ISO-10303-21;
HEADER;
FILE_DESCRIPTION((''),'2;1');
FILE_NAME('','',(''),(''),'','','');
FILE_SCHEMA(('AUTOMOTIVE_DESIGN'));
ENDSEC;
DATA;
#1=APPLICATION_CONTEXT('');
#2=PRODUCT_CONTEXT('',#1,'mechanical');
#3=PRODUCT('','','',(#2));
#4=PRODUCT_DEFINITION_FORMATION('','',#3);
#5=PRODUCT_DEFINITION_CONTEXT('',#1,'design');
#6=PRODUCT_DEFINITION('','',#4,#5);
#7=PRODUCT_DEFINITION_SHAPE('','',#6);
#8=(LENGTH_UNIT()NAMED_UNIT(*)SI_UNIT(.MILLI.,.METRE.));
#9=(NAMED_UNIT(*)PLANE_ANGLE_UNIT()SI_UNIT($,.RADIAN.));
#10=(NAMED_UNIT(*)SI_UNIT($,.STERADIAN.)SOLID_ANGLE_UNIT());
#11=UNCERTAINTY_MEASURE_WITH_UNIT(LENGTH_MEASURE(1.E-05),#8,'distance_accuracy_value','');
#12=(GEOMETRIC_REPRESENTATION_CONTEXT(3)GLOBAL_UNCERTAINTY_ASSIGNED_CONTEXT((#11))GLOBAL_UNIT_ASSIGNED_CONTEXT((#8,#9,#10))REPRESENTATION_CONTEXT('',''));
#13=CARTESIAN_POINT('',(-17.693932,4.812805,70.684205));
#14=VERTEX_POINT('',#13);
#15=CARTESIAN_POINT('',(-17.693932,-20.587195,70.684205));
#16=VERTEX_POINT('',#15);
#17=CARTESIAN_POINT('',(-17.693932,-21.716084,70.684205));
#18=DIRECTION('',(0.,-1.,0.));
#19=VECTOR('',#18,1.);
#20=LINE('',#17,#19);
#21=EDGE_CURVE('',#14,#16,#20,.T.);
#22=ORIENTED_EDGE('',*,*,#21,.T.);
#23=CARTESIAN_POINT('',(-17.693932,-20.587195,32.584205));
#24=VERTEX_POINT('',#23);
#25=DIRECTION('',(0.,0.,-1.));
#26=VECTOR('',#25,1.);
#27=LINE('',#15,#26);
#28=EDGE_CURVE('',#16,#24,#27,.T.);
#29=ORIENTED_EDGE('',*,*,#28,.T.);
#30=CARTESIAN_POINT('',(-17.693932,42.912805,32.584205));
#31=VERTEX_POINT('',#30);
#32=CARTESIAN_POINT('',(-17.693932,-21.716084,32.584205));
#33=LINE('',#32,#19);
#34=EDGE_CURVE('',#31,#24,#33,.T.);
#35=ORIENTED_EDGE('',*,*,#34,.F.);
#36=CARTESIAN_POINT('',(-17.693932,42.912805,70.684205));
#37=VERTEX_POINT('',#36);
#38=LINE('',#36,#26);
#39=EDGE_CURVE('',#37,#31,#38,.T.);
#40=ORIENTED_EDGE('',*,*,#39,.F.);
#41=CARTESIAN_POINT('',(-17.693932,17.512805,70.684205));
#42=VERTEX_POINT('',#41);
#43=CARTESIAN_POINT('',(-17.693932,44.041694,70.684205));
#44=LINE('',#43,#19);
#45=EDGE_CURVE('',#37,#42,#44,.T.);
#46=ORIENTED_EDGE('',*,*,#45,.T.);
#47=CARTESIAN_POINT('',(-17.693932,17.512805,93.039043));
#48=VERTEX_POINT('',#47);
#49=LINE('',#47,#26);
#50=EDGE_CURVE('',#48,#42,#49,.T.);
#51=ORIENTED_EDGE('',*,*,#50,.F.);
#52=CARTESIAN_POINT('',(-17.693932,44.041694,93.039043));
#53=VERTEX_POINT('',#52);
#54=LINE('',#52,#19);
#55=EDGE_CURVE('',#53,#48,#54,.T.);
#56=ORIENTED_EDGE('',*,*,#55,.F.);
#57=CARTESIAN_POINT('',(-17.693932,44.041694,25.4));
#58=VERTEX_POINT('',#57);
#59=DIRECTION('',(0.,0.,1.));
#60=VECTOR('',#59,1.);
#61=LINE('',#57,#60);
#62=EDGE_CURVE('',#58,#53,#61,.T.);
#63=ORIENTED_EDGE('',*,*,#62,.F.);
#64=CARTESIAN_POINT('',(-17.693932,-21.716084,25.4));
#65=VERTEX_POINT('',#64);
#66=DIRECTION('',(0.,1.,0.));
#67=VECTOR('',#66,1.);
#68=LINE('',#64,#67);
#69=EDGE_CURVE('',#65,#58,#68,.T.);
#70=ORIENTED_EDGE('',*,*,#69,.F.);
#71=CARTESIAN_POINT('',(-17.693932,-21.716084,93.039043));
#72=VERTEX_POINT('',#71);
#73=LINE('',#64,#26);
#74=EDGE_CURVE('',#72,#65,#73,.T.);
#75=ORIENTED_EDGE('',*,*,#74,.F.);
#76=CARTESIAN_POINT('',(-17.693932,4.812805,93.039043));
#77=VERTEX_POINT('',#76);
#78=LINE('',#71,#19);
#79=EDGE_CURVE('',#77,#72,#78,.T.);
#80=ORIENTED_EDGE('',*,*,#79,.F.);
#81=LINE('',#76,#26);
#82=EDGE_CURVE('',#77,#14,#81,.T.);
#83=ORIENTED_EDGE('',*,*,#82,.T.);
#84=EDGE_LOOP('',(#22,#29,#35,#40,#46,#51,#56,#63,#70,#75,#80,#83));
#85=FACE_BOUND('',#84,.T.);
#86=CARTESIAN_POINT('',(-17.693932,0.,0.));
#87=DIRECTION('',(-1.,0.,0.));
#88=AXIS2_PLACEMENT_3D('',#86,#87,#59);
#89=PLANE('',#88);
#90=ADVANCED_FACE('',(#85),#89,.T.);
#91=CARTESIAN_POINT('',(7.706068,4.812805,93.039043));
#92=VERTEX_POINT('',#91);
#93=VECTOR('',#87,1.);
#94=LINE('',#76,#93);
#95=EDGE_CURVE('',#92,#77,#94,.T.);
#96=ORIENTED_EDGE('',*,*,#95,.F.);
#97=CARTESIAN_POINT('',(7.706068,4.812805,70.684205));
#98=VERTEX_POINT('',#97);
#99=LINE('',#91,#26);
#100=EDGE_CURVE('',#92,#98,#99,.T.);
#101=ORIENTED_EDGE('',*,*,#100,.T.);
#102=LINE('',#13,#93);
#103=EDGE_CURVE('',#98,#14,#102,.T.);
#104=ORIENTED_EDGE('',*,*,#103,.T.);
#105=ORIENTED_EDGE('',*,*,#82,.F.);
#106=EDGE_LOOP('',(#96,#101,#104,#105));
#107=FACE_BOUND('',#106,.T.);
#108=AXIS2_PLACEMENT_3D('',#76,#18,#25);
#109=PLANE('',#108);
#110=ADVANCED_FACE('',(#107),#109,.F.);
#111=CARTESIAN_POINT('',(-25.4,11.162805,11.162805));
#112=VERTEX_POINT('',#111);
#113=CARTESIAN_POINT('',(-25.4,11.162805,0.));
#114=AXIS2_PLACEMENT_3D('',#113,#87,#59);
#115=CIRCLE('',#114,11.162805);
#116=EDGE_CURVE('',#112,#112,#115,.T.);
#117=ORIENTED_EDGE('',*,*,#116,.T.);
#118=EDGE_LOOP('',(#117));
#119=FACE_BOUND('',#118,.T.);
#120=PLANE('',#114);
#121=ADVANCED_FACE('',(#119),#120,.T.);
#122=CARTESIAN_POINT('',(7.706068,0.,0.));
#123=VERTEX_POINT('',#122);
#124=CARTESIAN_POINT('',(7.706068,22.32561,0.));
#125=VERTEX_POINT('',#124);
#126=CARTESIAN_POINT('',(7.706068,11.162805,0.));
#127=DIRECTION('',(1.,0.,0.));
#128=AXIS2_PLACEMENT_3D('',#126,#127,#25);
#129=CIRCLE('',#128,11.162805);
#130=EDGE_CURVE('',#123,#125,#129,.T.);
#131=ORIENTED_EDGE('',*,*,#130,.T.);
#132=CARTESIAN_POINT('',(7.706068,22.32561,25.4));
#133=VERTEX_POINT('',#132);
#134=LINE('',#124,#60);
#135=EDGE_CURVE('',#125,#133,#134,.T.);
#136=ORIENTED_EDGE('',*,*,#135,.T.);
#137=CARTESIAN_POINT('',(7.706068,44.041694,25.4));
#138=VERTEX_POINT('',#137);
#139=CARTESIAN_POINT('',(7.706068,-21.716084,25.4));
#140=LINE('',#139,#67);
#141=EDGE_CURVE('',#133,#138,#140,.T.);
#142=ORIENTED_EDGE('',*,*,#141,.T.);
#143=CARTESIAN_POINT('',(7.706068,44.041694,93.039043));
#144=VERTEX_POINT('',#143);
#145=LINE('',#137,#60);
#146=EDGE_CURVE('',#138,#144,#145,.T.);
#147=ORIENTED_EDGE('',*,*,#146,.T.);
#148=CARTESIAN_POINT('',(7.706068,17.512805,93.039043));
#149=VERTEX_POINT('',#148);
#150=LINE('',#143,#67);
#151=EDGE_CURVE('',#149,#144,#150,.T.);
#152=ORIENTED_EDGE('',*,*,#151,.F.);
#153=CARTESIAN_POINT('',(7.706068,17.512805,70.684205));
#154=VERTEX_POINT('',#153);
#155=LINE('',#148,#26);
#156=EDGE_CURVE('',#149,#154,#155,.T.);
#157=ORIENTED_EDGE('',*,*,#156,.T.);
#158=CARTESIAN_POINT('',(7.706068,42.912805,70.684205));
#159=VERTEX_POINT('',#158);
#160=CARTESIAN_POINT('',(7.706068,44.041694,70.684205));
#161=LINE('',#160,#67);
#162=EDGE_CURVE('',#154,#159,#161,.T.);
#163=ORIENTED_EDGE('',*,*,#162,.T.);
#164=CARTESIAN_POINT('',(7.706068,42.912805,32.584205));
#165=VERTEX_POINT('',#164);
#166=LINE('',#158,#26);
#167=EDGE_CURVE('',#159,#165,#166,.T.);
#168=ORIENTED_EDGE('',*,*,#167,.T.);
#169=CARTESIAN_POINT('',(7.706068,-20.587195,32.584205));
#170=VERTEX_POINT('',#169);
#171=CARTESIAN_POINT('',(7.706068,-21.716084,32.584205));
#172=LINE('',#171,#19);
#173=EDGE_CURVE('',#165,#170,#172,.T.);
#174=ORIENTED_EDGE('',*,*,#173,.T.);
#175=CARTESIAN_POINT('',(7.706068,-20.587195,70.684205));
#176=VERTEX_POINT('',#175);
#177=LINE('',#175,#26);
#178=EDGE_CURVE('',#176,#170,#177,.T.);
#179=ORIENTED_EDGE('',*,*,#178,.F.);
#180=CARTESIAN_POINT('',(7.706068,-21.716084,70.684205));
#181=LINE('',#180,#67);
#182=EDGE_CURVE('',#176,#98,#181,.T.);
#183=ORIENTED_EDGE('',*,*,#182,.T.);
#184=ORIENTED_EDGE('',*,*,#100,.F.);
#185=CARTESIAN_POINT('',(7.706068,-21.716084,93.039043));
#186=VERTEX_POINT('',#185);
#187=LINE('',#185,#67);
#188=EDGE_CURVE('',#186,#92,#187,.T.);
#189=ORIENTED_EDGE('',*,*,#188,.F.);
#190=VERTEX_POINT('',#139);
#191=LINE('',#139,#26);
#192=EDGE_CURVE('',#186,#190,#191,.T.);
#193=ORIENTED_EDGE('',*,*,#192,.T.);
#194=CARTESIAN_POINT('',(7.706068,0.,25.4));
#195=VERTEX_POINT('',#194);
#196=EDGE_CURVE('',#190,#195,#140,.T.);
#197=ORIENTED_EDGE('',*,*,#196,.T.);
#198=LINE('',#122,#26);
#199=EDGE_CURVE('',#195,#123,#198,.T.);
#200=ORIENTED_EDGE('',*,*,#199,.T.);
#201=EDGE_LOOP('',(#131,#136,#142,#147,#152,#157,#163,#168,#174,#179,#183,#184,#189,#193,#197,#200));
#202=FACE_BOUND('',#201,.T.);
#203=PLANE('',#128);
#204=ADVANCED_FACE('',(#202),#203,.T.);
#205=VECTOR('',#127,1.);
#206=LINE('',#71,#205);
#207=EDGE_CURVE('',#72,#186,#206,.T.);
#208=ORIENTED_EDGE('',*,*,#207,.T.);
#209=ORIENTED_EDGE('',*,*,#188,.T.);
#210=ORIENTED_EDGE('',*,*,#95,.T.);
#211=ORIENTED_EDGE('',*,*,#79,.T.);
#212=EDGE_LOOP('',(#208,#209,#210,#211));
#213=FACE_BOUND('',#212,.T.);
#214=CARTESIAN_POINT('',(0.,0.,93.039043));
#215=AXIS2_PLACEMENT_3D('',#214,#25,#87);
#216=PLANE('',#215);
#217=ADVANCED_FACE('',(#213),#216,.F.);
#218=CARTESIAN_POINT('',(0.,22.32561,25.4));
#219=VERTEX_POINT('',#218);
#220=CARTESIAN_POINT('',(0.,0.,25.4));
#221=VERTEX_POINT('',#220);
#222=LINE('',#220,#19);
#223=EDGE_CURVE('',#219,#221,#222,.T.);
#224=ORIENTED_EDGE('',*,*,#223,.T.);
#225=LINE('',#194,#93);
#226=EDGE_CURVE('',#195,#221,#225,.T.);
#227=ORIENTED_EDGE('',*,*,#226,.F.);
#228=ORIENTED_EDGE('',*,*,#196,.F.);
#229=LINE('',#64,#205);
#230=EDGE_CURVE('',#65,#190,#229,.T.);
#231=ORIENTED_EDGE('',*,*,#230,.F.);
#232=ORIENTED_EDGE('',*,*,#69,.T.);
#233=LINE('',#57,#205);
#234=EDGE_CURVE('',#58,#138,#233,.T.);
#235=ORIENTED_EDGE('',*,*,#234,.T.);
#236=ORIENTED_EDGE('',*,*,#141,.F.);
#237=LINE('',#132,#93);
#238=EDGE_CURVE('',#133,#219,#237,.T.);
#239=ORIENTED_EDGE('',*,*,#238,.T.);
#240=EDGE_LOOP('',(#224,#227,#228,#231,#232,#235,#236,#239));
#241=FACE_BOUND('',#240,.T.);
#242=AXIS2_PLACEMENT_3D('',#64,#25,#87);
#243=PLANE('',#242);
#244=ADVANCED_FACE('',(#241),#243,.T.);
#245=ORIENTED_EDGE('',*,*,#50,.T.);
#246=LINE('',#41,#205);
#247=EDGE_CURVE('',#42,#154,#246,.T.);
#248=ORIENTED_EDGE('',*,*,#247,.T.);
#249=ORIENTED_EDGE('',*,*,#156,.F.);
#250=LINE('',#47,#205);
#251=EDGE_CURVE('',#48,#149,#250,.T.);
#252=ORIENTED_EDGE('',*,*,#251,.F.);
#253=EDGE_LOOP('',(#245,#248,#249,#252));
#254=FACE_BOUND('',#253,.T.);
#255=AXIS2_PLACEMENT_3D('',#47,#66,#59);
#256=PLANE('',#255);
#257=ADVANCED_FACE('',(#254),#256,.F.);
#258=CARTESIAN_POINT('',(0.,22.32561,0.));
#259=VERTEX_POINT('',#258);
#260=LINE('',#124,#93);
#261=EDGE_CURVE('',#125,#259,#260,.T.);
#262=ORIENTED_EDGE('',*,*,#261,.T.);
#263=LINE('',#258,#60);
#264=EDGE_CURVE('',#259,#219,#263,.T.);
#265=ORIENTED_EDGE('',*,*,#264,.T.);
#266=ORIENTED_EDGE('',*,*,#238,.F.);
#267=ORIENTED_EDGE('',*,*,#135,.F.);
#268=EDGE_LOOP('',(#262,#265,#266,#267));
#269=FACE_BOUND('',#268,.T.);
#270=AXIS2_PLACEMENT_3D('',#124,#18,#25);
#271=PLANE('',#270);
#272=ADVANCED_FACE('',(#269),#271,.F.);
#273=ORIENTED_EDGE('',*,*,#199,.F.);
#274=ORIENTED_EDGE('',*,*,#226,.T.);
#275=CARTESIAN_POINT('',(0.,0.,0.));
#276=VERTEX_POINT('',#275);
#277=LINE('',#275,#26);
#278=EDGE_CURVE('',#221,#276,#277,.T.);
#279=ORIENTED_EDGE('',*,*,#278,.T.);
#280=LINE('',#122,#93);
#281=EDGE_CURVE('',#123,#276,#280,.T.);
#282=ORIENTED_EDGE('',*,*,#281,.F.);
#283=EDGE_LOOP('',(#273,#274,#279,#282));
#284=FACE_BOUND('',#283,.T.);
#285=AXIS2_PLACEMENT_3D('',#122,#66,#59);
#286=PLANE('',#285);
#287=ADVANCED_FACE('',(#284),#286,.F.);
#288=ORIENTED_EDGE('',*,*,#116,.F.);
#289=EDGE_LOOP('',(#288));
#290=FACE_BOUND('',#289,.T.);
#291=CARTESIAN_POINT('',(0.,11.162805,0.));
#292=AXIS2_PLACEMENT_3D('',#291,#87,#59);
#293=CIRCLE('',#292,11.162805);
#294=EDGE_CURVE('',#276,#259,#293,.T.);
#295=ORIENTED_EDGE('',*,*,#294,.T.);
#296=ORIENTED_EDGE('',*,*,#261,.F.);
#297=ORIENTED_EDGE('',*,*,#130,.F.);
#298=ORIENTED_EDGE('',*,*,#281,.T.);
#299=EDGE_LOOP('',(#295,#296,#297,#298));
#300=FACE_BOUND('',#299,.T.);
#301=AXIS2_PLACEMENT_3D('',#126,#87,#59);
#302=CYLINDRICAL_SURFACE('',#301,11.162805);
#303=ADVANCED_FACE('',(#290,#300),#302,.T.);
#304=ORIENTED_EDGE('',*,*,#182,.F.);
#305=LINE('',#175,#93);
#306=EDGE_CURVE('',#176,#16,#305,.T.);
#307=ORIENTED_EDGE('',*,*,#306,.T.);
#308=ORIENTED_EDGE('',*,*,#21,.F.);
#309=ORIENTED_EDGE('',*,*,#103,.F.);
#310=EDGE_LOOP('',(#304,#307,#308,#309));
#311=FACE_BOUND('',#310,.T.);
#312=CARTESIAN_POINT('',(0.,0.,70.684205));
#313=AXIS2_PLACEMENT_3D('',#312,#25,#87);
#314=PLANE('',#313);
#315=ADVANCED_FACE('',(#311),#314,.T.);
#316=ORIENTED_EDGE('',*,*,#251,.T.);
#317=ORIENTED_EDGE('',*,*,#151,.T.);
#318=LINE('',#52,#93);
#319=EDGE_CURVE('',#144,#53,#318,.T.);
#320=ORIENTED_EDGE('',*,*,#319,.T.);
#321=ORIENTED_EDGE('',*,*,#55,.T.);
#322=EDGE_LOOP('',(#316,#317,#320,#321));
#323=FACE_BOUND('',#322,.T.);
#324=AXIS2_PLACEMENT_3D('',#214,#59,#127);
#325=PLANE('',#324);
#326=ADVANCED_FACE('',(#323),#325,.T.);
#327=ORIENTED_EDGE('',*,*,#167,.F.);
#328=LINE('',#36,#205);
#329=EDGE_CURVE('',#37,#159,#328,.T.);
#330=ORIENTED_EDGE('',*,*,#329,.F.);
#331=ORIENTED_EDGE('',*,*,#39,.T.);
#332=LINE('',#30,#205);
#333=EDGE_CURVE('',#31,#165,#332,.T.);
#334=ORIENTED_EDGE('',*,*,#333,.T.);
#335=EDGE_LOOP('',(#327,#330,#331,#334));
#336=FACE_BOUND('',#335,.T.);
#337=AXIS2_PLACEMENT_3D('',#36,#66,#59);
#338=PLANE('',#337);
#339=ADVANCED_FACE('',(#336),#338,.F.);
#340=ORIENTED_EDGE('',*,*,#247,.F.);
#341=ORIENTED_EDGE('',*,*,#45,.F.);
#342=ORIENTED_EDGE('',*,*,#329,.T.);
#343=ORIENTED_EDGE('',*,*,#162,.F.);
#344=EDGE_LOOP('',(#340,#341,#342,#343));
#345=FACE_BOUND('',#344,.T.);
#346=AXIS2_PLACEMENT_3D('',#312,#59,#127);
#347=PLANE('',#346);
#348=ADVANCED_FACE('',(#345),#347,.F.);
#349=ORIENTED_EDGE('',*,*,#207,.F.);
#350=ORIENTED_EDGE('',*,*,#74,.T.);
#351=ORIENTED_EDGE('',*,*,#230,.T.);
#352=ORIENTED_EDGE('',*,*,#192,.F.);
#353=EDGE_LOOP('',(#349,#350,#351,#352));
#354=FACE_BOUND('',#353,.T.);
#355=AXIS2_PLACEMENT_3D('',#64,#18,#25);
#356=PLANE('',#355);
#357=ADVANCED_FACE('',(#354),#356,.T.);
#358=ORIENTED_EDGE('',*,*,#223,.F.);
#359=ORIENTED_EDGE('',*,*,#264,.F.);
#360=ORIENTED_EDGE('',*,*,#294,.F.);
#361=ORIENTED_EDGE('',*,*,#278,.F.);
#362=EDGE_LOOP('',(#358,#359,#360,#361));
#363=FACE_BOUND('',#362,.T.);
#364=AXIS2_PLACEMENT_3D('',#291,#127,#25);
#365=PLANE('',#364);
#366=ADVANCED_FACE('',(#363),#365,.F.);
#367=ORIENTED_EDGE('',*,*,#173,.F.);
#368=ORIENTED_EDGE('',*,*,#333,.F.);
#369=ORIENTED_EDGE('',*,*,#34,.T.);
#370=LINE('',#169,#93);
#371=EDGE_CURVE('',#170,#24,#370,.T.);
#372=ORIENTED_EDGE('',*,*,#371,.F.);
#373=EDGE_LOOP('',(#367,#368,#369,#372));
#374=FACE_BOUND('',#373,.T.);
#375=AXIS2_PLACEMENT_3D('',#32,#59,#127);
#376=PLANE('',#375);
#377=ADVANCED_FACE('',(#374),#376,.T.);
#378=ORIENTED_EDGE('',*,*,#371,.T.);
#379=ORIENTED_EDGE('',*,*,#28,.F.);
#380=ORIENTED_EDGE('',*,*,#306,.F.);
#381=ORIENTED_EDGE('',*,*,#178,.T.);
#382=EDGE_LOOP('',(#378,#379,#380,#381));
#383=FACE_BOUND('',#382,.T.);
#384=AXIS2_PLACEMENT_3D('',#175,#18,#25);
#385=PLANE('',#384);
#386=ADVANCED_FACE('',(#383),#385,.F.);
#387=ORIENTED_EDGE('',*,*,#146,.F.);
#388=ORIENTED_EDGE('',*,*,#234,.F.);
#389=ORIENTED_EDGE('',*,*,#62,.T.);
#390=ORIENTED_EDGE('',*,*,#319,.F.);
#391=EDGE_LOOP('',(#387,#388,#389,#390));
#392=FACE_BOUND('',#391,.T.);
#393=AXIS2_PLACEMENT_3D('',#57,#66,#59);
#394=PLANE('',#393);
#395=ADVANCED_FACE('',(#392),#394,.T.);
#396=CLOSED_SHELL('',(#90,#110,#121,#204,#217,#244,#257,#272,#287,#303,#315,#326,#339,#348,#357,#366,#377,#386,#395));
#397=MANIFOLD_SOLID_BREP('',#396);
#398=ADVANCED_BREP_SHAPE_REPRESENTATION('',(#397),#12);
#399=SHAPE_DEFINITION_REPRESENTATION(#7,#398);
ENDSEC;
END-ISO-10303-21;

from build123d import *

# Parameters (mm, degrees)
FEATURE_B_DEPTH     = 7.706067936
FEATURE_START       = 25.4
SKETCH3_R           = 11.162804955
FEATURE_A_DEPTH     = 25.4
SKETCH5_W           = 65.757777778
SKETCH5_H           = 7.184204897
FEATURE_C_DEPTH     = 25.4
SKETCH6_W           = 25.4
SKETCH6_H           = 1.128888889
FEATURE_D_DEPTH     = 38.1
SKETCH8_W           = 25.4
SKETCH8_H           = 26.528888889
BOSS_EXTRUDE5_DEPTH = 22.354838115


with BuildPart() as part:
    # Sketch1 → Feature B (new body)
    with BuildSketch(Plane.YZ):
        with BuildLine():
            Line((0, 0), (0, 25.4))
            Line((0, 25.4), (22.32560991, 25.4))
            Line((22.32560991, 25.4), (22.32560991, 0))
            ThreePointArc((22.32560991, 0), (11.162804955, -11.162804955), (0, 0))
        make_face()
    extrude(amount=FEATURE_B_DEPTH)

    # Sketch3 → Feature A (add)
    with BuildSketch(Plane(origin=(0, 0, 0), x_dir=(0, -1, 0), z_dir=(-1, 0, 0)).offset(FEATURE_START)):
        with Locations(Location((-11.162804955, 0, 0), (0, 0, 90))):
            Circle(SKETCH3_R)
    extrude(amount=-FEATURE_A_DEPTH)

    # Sketch5 → Feature C (add)
    with BuildSketch(Plane.YZ.offset(7.706067936)):
        with Locations((11.162804955, 28.992102448)):
            Rectangle(SKETCH5_W, SKETCH5_H)
    extrude(amount=-FEATURE_C_DEPTH)

    # Sketch6 → Feature D (add)
    with BuildSketch(Plane.XY.offset(32.584204897)):
        with Locations((-4.993932064, -21.151639489)):
            Rectangle(SKETCH6_W, SKETCH6_H)
        with Locations((-4.993932064, 43.4772494)):
            Rectangle(SKETCH6_W, SKETCH6_H)
    extrude(amount=FEATURE_D_DEPTH)

    # Sketch8 → Boss-Extrude5 (add)
    with BuildSketch(Plane.XY.offset(70.684204897)):
        with Locations((-4.993932064, -8.451639489)):
            Rectangle(SKETCH8_W, SKETCH8_H)
        with Locations((-4.993932064, 30.7772494)):
            Rectangle(SKETCH8_W, SKETCH8_H)
    extrude(amount=BOSS_EXTRUDE5_DEPTH)


solid = part.part
